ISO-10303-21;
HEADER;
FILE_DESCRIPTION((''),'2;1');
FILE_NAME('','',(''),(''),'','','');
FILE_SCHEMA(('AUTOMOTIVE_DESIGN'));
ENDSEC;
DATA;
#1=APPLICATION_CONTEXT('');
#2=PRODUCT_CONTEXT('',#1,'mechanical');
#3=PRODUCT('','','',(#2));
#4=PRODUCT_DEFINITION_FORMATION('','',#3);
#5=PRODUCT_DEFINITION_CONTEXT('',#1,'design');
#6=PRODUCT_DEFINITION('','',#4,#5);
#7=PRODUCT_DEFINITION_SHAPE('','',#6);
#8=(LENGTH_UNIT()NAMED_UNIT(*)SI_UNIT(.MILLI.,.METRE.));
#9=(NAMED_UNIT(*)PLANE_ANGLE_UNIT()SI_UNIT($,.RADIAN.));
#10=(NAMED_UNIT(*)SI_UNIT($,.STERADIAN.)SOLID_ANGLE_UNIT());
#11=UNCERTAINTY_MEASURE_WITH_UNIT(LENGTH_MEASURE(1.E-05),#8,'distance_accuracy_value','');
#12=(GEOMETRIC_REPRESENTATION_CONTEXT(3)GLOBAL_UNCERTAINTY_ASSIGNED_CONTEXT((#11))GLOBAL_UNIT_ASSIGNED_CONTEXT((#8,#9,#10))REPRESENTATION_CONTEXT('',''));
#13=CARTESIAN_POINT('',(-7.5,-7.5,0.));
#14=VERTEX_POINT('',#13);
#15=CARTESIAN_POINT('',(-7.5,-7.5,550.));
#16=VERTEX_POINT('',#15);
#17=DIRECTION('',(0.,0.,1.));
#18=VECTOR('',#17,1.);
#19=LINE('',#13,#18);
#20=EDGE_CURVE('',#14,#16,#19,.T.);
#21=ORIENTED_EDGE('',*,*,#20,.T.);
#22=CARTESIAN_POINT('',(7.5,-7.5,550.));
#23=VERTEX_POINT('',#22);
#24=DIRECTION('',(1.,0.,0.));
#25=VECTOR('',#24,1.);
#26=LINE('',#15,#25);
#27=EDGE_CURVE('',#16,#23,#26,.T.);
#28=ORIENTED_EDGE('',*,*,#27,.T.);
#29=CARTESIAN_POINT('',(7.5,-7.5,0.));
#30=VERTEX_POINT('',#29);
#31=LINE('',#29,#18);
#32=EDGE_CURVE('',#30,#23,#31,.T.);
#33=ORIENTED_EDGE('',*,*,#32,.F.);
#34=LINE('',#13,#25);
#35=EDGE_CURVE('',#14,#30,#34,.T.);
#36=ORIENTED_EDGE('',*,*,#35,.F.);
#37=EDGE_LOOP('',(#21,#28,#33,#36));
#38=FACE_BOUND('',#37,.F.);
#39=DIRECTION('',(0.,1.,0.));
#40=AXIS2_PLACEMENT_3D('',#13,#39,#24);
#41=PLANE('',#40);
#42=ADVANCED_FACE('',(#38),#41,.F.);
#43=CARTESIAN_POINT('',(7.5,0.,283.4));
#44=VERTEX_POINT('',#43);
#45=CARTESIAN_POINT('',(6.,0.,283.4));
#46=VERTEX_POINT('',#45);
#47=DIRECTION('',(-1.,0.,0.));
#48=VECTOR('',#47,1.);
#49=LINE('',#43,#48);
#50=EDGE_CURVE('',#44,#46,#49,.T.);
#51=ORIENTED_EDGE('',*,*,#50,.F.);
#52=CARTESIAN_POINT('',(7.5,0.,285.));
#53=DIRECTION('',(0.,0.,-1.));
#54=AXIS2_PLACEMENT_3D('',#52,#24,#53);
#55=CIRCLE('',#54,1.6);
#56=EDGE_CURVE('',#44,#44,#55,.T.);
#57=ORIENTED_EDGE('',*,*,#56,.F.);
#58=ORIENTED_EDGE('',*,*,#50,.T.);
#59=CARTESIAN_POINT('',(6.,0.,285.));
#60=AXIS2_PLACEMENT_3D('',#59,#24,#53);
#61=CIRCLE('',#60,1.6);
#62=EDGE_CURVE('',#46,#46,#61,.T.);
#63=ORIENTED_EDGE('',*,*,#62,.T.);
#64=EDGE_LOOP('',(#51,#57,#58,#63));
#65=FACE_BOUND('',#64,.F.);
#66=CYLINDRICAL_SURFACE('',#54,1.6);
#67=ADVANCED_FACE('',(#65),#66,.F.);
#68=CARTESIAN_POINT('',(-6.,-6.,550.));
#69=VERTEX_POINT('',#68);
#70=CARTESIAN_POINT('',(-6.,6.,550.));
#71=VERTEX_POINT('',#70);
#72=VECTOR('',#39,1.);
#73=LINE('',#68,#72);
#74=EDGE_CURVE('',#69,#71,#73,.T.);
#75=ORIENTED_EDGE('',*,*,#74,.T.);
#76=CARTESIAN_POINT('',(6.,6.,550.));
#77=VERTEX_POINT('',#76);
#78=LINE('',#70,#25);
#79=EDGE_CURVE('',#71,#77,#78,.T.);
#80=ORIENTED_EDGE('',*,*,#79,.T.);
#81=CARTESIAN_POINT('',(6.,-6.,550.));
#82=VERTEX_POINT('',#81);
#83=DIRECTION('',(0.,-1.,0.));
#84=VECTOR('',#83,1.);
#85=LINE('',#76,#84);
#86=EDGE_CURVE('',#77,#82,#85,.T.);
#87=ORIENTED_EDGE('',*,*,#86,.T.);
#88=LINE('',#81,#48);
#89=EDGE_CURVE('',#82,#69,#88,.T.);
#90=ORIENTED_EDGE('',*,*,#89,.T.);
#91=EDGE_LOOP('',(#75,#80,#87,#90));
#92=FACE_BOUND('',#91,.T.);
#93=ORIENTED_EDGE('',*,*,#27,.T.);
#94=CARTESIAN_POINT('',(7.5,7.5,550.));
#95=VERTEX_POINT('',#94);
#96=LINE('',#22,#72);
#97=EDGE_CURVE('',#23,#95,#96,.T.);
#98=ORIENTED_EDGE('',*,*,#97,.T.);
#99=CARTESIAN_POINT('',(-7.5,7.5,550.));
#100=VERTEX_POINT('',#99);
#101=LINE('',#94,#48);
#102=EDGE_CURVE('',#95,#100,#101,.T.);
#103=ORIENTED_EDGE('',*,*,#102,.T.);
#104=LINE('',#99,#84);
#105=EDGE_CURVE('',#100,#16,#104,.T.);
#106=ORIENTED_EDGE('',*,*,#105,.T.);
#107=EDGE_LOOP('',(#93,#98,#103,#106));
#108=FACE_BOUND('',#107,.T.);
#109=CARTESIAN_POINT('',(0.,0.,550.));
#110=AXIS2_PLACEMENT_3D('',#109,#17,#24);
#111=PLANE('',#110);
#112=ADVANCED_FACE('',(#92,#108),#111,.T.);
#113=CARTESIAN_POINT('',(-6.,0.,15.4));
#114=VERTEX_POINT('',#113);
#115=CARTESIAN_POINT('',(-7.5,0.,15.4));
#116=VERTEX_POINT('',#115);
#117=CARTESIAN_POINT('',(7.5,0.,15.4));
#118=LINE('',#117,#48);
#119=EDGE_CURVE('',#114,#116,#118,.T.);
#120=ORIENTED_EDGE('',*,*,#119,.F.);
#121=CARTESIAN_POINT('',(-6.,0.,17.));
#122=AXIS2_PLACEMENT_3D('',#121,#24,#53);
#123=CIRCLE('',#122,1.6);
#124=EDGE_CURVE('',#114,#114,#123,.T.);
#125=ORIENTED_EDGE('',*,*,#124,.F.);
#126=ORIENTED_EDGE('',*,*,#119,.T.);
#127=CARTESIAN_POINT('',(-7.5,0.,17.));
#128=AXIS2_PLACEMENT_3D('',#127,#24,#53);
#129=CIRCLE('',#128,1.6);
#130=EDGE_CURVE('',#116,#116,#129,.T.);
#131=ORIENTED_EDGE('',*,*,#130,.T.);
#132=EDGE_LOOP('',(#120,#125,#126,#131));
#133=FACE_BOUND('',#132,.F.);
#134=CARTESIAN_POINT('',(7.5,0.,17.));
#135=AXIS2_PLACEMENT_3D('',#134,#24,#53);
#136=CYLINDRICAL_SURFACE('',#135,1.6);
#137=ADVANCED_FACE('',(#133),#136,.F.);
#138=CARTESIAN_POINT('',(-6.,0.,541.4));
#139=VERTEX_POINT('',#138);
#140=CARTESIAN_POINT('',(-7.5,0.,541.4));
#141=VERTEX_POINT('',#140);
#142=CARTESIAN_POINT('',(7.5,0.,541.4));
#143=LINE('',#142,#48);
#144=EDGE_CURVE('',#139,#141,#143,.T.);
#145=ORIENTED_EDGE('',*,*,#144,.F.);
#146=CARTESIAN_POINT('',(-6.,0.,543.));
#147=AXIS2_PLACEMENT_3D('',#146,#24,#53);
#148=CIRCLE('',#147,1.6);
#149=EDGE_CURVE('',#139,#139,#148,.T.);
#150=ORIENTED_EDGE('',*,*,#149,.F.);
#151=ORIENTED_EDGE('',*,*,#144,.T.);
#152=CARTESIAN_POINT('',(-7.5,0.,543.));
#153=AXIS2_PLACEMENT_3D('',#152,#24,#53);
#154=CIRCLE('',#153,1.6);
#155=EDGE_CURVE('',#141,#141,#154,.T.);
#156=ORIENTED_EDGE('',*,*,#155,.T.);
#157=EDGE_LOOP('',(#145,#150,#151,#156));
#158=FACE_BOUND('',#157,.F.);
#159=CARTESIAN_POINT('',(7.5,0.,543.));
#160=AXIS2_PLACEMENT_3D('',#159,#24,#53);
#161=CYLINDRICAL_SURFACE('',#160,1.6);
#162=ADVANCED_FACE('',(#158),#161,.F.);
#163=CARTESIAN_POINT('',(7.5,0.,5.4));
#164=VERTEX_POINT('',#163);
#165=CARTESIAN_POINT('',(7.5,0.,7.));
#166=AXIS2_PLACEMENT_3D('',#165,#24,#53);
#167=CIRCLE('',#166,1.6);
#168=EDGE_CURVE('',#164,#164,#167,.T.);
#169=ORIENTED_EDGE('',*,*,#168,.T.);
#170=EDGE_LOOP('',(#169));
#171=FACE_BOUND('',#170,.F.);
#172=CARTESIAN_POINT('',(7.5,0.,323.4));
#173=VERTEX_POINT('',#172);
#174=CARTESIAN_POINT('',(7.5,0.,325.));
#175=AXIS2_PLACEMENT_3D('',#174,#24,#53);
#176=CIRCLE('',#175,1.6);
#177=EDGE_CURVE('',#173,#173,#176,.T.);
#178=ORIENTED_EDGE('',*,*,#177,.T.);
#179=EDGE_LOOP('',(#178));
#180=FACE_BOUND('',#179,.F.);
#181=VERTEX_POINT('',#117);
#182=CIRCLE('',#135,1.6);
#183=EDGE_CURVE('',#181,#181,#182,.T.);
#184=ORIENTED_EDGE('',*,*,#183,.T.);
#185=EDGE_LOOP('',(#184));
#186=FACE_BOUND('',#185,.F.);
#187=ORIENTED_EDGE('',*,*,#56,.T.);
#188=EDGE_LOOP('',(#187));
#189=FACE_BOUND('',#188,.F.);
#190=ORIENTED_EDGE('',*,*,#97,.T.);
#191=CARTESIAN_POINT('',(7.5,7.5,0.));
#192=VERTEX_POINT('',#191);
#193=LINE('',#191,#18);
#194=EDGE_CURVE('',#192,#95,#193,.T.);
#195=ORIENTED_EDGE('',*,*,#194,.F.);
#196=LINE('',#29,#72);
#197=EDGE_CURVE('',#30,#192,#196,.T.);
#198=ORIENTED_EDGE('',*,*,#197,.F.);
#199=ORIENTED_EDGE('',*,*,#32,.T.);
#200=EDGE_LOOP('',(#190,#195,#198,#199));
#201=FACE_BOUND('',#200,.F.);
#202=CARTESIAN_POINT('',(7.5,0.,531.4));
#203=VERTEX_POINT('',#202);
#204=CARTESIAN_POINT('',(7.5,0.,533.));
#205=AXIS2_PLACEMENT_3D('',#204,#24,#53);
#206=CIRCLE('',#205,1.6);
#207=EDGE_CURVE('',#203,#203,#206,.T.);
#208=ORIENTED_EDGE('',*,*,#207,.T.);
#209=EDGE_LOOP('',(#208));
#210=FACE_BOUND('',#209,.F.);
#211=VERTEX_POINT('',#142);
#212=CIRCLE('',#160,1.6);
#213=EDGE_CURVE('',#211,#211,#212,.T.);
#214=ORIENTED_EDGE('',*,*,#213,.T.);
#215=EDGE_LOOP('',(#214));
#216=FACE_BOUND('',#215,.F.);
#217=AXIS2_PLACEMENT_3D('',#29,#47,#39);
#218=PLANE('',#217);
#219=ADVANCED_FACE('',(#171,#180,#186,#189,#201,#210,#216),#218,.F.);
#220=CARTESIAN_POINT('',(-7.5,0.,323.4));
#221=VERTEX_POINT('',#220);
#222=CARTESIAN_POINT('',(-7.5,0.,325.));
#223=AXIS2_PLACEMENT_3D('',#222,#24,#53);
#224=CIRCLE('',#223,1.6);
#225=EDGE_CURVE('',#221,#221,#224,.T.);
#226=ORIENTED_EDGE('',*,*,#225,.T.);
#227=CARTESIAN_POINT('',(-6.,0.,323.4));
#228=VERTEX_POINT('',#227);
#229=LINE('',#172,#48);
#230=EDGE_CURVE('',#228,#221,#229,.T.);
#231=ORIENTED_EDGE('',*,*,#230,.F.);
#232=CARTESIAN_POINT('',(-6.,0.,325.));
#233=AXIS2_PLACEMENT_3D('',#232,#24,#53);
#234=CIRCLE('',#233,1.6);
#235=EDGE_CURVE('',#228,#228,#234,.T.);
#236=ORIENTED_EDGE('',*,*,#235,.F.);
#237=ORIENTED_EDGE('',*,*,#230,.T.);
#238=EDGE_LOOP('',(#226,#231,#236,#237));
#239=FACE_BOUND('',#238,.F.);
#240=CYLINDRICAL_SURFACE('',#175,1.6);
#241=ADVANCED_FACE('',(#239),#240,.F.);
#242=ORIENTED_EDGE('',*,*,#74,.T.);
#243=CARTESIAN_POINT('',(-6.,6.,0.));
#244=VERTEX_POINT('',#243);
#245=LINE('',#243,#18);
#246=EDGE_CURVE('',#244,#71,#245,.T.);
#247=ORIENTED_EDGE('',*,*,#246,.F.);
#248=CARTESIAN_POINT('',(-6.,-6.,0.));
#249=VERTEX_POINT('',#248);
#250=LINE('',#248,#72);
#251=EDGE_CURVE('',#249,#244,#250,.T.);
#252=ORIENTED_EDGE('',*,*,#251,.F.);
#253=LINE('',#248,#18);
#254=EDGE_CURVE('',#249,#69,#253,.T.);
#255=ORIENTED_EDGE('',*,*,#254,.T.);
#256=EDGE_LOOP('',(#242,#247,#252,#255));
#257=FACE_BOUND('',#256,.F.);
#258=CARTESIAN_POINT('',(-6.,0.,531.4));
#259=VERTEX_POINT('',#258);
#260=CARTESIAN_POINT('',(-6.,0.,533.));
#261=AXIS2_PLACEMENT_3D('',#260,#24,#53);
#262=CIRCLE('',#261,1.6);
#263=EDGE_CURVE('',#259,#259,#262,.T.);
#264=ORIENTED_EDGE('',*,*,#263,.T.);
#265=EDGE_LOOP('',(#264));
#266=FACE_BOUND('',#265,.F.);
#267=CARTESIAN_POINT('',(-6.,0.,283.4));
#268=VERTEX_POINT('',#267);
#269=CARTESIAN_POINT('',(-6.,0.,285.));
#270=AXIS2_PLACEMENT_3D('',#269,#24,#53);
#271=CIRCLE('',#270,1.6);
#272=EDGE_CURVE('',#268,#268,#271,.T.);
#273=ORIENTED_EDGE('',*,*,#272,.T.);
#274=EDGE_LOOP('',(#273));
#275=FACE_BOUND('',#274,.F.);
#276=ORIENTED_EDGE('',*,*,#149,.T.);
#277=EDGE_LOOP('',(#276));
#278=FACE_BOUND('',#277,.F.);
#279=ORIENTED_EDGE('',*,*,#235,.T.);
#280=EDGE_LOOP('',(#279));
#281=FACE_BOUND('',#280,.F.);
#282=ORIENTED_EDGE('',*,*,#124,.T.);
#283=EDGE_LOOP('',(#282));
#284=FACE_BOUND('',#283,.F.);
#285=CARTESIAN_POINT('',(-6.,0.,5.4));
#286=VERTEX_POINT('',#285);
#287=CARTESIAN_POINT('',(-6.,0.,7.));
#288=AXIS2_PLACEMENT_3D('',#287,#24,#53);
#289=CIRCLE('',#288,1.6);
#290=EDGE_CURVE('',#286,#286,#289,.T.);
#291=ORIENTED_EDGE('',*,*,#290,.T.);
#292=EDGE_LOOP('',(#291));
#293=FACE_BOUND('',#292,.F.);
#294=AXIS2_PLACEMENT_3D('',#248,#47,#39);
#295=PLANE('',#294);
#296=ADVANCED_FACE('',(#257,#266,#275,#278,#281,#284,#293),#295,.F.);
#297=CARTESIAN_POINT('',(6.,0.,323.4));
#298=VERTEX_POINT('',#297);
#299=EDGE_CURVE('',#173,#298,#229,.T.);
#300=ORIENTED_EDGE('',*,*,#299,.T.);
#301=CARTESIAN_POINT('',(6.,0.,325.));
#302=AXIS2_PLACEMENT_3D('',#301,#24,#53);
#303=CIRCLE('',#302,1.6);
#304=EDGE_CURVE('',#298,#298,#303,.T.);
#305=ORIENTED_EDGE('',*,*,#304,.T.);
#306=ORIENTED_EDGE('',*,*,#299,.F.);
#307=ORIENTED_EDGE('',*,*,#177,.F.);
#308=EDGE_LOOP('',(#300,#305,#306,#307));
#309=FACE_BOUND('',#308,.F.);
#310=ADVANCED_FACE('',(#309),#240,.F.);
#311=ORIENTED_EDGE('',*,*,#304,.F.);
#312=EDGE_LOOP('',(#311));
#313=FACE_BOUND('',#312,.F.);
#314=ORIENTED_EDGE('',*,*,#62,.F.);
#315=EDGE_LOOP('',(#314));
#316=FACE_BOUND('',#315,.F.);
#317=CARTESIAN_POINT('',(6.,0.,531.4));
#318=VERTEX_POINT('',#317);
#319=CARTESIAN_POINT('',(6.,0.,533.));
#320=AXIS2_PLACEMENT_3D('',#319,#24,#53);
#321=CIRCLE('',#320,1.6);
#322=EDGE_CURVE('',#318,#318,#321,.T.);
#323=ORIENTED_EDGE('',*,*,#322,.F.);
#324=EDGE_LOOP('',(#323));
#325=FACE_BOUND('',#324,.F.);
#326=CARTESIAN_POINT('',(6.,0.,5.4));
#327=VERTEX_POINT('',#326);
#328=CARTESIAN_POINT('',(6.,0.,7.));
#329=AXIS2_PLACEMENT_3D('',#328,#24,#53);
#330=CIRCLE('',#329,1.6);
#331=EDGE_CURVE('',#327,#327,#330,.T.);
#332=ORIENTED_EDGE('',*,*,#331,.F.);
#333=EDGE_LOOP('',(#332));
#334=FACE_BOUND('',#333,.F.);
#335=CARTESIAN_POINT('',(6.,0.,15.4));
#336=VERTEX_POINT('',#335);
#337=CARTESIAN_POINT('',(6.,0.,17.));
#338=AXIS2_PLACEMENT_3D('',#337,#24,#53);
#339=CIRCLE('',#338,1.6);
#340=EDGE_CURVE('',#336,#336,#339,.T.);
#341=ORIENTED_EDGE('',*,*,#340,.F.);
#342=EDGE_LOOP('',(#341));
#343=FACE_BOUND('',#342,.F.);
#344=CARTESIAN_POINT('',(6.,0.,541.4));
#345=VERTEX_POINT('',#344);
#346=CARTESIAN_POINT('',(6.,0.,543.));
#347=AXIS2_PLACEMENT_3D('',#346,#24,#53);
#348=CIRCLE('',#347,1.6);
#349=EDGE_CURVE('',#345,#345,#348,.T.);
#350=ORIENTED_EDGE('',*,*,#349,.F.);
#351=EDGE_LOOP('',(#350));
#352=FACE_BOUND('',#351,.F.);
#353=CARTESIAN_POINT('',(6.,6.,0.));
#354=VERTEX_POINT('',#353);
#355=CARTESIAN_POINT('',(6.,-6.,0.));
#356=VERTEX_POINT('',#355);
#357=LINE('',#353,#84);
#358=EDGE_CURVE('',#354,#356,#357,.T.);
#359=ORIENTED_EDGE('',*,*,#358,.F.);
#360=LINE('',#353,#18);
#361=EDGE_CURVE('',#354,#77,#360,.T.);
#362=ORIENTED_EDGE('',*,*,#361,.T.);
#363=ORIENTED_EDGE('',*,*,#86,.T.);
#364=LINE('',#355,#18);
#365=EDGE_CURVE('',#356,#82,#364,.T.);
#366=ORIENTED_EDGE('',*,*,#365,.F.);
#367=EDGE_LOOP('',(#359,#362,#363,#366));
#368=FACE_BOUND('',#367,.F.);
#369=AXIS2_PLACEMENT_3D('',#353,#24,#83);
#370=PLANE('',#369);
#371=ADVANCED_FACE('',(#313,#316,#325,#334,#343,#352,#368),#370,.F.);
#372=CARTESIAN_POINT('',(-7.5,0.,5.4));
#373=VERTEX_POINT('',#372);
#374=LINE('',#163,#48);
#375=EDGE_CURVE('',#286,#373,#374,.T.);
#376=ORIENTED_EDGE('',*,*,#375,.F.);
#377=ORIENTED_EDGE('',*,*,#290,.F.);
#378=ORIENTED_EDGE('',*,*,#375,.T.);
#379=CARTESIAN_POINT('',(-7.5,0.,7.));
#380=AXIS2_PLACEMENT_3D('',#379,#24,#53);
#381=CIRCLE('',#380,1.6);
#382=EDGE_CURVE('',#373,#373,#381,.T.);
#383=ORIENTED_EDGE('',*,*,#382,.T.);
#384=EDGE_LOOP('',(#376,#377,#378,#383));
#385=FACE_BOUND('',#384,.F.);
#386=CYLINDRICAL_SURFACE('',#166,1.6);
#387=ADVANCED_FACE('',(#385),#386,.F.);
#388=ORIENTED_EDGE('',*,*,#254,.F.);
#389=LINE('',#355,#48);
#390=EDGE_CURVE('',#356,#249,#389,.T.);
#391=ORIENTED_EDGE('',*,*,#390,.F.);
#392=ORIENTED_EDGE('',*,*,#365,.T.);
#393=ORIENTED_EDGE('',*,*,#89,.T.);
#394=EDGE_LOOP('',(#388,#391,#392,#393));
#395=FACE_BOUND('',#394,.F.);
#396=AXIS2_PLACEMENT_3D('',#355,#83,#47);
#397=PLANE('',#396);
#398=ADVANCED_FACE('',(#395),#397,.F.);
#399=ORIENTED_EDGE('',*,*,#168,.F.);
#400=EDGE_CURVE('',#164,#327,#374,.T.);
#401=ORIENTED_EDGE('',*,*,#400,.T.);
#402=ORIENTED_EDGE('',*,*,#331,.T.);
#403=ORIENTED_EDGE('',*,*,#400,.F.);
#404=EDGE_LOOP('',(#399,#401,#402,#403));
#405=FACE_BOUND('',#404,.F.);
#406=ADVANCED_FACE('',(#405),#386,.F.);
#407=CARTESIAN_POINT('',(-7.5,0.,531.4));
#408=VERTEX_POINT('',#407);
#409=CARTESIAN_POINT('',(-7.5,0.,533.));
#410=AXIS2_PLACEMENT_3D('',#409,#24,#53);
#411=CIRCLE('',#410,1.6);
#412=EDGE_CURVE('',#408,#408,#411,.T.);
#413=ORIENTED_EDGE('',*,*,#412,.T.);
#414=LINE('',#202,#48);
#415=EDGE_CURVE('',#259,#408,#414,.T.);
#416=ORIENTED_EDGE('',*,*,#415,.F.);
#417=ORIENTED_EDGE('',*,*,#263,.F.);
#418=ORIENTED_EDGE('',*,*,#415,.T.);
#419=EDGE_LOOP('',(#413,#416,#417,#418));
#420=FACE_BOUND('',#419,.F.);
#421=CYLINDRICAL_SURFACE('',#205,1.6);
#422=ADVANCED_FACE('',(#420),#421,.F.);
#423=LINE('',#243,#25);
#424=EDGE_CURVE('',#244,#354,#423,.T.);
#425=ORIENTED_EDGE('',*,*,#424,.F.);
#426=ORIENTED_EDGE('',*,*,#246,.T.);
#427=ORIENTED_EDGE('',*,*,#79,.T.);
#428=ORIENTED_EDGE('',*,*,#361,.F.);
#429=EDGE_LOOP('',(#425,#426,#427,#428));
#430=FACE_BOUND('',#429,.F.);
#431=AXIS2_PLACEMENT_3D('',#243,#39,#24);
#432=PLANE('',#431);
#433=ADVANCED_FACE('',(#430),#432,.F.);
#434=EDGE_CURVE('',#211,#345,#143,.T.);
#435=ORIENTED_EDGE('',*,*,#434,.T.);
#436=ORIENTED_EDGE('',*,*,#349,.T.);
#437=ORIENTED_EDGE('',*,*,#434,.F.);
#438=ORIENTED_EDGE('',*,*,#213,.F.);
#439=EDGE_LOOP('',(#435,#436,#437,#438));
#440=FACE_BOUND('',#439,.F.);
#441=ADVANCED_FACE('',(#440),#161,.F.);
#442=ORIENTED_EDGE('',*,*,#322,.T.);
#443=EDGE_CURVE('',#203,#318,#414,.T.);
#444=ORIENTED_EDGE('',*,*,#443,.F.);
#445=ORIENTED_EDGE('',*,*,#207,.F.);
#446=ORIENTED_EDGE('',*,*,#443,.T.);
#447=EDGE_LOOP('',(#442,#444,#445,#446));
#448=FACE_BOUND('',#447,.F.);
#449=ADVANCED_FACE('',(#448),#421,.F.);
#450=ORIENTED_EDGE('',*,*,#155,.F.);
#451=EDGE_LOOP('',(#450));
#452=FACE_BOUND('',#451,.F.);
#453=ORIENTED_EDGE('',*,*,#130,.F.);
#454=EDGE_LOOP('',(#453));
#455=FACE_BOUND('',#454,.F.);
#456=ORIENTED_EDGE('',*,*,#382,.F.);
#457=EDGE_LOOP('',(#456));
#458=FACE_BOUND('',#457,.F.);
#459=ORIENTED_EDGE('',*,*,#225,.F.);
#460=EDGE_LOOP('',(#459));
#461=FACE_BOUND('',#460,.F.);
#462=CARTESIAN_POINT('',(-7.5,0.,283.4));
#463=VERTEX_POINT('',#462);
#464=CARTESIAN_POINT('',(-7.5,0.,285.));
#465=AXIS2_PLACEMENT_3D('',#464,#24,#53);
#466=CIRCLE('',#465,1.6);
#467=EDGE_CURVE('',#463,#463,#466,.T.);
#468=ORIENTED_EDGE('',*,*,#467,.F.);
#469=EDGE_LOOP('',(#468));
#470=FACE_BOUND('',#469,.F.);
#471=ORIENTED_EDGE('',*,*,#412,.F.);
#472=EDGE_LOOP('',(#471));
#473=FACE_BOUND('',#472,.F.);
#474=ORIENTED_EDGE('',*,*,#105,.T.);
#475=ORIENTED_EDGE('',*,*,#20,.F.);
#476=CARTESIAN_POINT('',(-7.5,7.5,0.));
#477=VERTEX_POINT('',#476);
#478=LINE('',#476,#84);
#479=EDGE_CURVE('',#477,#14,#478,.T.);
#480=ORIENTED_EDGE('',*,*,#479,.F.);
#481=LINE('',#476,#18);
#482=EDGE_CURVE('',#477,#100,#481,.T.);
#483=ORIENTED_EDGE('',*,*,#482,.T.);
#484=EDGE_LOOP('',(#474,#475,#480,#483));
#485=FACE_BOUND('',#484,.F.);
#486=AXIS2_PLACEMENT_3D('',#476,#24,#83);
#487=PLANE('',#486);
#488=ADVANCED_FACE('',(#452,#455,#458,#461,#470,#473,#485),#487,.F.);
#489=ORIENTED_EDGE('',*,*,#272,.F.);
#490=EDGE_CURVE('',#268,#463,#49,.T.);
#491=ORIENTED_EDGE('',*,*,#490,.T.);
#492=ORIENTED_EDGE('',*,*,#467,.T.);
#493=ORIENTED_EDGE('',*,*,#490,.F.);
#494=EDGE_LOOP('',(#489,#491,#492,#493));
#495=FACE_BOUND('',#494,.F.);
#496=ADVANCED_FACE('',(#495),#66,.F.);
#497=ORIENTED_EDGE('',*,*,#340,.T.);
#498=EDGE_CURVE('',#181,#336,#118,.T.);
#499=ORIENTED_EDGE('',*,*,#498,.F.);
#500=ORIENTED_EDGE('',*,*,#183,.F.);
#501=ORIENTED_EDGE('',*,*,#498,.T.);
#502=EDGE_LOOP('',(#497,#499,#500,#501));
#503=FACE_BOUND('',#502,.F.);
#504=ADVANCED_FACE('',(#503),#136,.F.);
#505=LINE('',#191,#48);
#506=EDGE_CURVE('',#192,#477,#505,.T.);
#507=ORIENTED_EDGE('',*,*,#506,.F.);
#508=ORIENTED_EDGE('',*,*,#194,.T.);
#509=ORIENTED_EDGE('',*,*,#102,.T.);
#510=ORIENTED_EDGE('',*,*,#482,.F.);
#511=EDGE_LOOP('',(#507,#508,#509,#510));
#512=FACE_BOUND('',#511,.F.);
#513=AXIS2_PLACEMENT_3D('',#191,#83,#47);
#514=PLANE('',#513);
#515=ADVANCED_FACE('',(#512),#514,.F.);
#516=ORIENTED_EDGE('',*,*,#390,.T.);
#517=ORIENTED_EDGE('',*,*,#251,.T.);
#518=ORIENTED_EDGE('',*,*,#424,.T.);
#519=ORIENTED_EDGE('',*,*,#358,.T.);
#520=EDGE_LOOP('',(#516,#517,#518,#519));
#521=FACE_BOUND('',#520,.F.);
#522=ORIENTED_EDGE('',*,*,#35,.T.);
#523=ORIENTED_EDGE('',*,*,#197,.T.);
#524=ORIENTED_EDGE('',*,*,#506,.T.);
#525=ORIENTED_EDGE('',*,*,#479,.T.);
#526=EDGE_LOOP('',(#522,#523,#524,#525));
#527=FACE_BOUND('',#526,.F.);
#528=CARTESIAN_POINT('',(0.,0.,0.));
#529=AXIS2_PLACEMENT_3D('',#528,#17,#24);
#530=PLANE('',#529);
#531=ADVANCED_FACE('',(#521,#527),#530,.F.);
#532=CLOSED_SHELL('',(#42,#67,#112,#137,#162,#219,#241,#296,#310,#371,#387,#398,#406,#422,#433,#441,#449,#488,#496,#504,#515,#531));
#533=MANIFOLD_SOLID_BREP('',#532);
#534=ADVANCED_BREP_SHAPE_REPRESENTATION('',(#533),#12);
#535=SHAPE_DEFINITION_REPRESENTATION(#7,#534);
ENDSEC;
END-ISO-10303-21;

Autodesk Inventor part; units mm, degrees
ref_plane "YZ Plane" through (0, 0, 0) normal (1, 0, 0) x (0, 1, 0)
ref_plane "XZ Plane" through (0, 0, 0) normal (0, 1, 0) x (-1, 0, 0)
ref_plane "XY Plane" through (0, 0, 0) normal (0, 0, 1) x (1, 0, 0)
sketch "スケッチ1" plane through (0, 0, 0) normal (0, 0, 1) x (1, 0, 0)
  line L0 (7.5, 7.5) -> (-7.5, 7.5)
  line L1 (-7.5, 7.5) -> (-7.5, -7.5)
  line L2 (-7.5, -7.5) -> (7.5, -7.5)
  line L3 (7.5, -7.5) -> (7.5, 7.5)
  line L4 (7.5, 7.5) -> (-7.5, -7.5) construction
  line L5 (-7.5, 7.5) -> (7.5, -7.5) construction
  line L6 (-6, 6) -> (6, 6)
  line L7 (6, 6) -> (6, -6)
  line L8 (6, -6) -> (-6, -6)
  line L9 (-6, -6) -> (-6, 6)
  point P0 (0, 0)
  dimension "d0" = 15
  dimension "d1" = 15
  dimension "d2" = 1.5
extrude "押し出し1" add sketch "スケッチ1" along normal blind 550
sketch "スケッチ2" plane through (7.5, -7.5, 0) normal (1, 0, 0) x (0, 0, -1)
  circle A0 centre (-7, 7.5) radius 1.6
  circle A1 centre (-17, 7.5) radius 1.6
  line L0 (0, 0) -> (0, 15) projected
  circle A2 centre (-533, 7.5) radius 1.6
  circle A3 centre (-543, 7.5) radius 1.6
  line L1 (-550, 0) -> (-550, 15) projected
  circle A4 centre (-285, 7.5) radius 1.6
  circle A5 centre (-325, 7.5) radius 1.6
  point P0 (0, 7.5)
  point P1 (0, 7.5)
  dimension "d5" = 3.2
  dimension "d6" = 3.2
  dimension "d7" = 7
  dimension "d8" = 10
  dimension "d9" = 3.2
  dimension "d10" = 3.2
  dimension "d11" = 10
  dimension "d12" = 7
  dimension "d13" = 3.2
  dimension "d14" = 3.2
  dimension "d15" = 40
  dimension "d20" = 225
extrude "押し出し2" cut sketch "スケッチ2" against normal through all
sketch "スケッチ3" plane through (-7.5, 7.5, 0) normal (0, 1, 0) x (1, 0, 0)
  circle A0 centre (7.5, -517.5) radius 1.6
  line L0 (15, -550) -> (0, -550) projected
  line L1 (15, 0) -> (0, 0) projected
  point P0 (7.5, 0)
  point P1 (7.5, 0)
  dimension "d21" = 3.2
  dimension "d22" = 32.5
extrude "押し出し3" [suppressed]
properties part number "上昇機構_角柱3" material "アルミニウム 6061"
